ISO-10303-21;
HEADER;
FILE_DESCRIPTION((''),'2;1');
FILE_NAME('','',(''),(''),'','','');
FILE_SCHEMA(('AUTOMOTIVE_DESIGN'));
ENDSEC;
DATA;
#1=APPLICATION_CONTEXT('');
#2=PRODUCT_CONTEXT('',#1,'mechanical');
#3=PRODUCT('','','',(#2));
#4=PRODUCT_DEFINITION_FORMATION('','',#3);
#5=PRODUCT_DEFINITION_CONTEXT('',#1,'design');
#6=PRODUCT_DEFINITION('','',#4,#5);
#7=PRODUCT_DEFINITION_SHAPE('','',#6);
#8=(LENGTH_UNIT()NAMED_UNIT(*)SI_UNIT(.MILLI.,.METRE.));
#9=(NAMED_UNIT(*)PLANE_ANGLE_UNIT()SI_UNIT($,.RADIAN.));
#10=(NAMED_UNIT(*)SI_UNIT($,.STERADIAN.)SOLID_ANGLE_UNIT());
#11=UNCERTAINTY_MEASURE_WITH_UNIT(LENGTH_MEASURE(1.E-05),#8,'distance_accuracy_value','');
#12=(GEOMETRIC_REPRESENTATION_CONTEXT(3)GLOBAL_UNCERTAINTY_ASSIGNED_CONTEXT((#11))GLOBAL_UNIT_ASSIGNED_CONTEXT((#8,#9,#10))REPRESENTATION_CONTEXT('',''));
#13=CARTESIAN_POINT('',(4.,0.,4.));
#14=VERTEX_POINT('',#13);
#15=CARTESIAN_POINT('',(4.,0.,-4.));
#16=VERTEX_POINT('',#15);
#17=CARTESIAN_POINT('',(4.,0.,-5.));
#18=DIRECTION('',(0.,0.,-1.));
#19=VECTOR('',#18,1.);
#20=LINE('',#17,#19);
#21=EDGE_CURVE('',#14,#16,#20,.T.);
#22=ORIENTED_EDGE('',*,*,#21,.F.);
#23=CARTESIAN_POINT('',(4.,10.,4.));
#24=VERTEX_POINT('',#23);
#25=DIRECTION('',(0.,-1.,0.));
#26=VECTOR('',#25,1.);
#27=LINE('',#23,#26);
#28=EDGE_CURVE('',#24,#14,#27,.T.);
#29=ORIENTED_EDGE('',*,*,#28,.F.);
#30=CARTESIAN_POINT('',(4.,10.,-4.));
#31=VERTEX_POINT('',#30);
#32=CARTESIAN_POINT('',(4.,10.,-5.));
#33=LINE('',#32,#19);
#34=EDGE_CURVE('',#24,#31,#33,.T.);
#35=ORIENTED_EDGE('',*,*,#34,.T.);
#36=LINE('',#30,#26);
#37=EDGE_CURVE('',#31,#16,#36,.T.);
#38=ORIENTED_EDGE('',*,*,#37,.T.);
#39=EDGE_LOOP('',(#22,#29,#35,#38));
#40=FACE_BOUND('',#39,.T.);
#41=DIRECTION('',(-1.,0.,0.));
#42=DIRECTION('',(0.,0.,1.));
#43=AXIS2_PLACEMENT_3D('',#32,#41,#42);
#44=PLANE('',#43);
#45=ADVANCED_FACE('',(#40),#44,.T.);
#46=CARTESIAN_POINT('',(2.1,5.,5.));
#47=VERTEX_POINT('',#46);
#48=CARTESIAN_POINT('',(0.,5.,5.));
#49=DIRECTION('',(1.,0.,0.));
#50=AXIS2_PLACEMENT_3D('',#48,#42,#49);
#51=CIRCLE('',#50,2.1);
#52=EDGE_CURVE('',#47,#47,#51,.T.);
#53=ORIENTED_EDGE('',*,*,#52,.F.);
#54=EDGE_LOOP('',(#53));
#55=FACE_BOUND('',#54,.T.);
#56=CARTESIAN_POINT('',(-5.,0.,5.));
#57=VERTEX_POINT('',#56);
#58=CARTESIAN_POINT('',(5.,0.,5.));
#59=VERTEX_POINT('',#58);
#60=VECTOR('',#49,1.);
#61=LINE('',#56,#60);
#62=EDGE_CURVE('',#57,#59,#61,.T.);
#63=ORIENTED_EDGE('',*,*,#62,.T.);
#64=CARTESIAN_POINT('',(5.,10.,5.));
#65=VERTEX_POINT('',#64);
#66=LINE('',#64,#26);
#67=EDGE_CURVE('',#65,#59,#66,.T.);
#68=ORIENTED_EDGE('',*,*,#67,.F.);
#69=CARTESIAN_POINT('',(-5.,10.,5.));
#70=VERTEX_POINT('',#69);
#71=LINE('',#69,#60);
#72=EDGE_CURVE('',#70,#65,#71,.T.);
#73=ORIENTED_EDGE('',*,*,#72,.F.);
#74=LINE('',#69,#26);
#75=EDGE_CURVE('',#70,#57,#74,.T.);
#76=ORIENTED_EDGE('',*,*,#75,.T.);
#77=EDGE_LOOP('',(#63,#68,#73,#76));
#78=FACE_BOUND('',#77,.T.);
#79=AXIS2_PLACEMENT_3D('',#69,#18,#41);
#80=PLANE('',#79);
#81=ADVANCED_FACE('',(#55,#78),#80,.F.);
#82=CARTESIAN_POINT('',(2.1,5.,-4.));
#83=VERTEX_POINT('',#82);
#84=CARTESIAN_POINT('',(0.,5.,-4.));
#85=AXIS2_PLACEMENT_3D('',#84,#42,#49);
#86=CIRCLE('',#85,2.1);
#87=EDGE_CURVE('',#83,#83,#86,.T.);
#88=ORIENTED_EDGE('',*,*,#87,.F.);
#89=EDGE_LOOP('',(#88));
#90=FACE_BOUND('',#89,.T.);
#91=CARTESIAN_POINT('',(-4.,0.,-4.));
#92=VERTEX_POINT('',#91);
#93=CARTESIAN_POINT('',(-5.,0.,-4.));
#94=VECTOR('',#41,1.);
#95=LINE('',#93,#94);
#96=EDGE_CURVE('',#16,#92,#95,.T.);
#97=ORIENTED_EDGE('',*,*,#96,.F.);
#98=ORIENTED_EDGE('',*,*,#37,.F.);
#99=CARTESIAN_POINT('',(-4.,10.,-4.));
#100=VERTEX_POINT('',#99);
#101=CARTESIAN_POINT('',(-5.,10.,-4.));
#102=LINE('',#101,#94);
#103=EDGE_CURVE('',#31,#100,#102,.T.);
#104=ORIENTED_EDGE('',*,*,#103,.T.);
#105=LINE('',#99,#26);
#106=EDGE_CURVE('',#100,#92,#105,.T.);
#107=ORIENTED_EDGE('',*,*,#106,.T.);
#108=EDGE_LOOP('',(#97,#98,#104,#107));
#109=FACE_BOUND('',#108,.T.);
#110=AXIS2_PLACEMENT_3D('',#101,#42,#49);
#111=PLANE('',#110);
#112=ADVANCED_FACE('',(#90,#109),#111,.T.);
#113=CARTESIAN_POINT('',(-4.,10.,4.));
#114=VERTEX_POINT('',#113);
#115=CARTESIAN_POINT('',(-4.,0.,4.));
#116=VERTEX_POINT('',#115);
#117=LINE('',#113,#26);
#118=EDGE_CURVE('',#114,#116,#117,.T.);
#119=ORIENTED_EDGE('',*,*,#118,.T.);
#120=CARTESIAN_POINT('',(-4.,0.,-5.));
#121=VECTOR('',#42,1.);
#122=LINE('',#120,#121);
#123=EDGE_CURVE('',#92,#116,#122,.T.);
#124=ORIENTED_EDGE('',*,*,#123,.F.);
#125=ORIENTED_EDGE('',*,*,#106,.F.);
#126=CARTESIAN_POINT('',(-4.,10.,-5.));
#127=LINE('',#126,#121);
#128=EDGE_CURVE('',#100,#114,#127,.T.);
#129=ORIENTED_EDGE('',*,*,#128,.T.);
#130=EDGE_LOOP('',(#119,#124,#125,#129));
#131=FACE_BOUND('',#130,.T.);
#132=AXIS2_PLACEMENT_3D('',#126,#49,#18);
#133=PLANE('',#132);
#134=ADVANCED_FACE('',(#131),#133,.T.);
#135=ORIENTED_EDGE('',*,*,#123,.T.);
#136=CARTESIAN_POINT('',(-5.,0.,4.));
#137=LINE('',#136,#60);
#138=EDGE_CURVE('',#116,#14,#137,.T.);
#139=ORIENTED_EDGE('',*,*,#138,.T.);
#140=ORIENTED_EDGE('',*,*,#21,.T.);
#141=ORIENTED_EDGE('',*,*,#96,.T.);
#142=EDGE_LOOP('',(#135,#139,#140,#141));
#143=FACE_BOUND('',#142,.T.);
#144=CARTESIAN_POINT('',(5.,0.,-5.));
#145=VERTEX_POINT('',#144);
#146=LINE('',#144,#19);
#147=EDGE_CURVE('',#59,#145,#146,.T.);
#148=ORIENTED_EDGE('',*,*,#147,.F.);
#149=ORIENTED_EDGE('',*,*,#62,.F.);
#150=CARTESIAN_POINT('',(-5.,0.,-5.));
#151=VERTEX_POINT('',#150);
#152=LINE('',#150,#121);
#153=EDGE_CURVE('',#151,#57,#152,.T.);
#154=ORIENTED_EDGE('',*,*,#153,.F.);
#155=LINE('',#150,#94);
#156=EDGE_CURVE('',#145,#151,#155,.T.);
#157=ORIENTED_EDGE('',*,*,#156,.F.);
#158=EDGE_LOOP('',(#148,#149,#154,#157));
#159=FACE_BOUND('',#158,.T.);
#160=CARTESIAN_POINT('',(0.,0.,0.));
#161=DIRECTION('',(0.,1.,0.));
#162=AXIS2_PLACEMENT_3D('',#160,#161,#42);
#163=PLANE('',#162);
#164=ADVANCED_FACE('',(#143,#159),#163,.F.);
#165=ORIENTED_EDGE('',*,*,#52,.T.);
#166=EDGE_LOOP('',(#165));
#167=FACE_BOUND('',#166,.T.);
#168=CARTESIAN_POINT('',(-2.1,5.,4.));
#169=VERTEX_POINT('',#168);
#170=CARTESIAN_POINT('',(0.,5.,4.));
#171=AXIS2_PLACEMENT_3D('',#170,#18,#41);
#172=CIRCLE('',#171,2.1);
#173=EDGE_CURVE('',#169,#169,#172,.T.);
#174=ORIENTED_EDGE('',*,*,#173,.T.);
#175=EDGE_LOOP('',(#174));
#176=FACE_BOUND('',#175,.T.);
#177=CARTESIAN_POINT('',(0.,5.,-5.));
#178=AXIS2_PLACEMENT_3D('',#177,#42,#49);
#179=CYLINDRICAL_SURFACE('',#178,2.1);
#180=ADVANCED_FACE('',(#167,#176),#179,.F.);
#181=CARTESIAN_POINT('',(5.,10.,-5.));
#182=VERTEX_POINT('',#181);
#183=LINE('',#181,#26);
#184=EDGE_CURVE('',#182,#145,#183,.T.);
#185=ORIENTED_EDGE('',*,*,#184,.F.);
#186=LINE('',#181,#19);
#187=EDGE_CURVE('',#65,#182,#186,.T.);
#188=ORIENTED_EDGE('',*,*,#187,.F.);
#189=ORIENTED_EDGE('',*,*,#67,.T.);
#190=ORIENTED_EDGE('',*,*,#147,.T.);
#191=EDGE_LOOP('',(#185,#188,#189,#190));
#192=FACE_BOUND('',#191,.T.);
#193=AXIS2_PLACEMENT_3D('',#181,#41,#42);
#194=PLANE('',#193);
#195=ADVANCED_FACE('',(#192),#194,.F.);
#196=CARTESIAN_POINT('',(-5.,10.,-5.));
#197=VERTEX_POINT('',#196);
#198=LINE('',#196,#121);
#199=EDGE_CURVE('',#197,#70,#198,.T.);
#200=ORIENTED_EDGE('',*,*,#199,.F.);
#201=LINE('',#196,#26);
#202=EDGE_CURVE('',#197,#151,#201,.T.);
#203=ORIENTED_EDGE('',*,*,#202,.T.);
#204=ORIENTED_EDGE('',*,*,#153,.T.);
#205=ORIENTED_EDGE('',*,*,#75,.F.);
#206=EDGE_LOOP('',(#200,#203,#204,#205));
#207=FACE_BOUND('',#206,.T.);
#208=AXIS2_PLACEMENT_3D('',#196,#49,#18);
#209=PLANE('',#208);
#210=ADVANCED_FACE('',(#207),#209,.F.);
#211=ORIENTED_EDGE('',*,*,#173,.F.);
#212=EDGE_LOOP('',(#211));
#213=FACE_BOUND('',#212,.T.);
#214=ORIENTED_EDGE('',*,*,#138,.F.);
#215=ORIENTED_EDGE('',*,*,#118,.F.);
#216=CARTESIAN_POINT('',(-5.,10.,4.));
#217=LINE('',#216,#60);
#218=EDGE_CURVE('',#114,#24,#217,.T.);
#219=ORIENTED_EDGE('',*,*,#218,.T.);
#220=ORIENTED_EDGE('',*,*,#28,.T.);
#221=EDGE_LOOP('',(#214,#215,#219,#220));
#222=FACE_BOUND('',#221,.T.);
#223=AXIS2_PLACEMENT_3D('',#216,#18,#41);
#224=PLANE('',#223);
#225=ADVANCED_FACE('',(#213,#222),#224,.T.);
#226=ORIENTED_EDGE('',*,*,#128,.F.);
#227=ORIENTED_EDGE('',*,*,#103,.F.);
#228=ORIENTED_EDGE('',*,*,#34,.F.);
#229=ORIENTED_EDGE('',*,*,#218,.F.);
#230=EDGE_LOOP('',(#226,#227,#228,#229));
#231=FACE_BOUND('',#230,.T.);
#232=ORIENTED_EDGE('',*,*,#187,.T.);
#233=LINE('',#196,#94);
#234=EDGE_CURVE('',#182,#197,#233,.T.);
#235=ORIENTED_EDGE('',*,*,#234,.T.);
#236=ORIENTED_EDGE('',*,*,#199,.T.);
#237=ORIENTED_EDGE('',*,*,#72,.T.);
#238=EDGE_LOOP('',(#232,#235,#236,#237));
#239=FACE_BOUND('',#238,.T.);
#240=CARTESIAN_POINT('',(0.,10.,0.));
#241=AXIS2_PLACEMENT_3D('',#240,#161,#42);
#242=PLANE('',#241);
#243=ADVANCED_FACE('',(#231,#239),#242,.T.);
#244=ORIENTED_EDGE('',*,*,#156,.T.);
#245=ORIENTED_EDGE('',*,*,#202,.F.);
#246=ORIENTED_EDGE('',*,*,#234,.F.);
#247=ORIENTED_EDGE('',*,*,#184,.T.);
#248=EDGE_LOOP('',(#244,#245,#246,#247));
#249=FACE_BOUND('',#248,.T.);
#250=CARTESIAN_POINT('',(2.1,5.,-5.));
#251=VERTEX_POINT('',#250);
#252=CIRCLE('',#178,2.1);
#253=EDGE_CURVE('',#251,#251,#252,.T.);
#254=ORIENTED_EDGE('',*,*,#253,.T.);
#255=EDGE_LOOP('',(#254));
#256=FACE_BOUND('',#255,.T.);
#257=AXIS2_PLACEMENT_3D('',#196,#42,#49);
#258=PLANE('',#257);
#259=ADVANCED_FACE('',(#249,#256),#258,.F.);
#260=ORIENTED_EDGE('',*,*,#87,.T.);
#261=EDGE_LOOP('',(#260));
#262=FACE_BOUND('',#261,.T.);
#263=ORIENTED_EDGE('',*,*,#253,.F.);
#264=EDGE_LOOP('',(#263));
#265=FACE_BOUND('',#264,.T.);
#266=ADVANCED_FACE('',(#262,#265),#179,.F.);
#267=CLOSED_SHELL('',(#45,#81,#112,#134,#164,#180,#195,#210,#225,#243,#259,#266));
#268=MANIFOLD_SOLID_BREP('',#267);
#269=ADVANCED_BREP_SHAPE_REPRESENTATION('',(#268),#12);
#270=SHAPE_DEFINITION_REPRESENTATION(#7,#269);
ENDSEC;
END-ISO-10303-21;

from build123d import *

# Parameters (mm, degrees)
SKETCH_1_W          = 10
SKETCH_1_H          = 10
SKETCH_1_W_2        = 8
SKETCH_1_H_2        = 8
EXTRUDE_1_DEPTH     = 10
SKETCH_2_R          = 2.1
CUT_EXTRUDE_1_DEPTH = 16


with BuildPart() as part:
    # ｽｹｯﾁ1 → 押し出し-薄板1 (new body)
    with BuildSketch(Plane(origin=(0, 0, 0), x_dir=(1, 0, 0), z_dir=(0, 1, 0))):
        Rectangle(SKETCH_1_W, SKETCH_1_H)
        Rectangle(SKETCH_1_W_2, SKETCH_1_H_2, mode=Mode.SUBTRACT)
    extrude(amount=EXTRUDE_1_DEPTH)

    # ｽｹｯﾁ2 → ｶｯﾄ - 押し出し1 (cut, through all)
    with BuildSketch(Plane.XY.offset(5)):
        with Locations((0, 5)):
            Circle(SKETCH_2_R)
    extrude(amount=-CUT_EXTRUDE_1_DEPTH, mode=Mode.SUBTRACT)


solid = part.part
